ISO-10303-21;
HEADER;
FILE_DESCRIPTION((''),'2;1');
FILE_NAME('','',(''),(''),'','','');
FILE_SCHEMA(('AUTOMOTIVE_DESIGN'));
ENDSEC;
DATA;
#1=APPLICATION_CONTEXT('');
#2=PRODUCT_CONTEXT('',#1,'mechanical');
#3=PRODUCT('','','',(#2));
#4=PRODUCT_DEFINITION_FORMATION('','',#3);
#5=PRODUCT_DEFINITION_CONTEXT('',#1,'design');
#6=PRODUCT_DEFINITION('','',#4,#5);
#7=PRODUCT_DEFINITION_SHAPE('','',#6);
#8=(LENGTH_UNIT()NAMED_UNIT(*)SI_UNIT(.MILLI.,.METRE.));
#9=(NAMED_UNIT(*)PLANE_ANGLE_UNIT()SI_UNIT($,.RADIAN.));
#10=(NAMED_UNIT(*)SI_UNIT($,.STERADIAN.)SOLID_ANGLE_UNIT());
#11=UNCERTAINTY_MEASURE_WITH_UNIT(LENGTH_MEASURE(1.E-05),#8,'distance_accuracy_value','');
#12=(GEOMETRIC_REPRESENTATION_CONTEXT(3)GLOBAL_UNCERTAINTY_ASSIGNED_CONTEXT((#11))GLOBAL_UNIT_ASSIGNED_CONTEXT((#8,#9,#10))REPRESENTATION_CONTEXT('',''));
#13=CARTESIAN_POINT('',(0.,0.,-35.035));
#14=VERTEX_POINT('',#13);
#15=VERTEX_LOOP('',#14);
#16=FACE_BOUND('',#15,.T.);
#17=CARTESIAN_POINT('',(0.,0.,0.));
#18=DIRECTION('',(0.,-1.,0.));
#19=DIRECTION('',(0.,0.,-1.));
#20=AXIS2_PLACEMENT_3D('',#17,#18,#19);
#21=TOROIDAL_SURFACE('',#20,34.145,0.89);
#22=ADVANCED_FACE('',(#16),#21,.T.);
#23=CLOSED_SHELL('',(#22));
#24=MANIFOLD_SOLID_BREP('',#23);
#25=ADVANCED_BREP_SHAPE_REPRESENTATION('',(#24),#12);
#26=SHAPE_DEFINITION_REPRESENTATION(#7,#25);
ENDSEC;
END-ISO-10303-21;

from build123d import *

# Parameters (mm, degrees)
SKETCH1_R = 0.89


with BuildPart() as part:
    # Sketch1 → Revolve1 (revolve)
    with BuildSketch(Plane.XY, mode=Mode.PRIVATE) as revolve1_sk:
        with Locations((34.145, 0)):
            Circle(SKETCH1_R)
    revolve(revolve1_sk.sketch.rotate(Axis((0, -4.868377982, 0), (0, 1, 0)), 90), axis=Axis((0, -4.868377982, 0), (0, 1, 0)))


solid = part.part
